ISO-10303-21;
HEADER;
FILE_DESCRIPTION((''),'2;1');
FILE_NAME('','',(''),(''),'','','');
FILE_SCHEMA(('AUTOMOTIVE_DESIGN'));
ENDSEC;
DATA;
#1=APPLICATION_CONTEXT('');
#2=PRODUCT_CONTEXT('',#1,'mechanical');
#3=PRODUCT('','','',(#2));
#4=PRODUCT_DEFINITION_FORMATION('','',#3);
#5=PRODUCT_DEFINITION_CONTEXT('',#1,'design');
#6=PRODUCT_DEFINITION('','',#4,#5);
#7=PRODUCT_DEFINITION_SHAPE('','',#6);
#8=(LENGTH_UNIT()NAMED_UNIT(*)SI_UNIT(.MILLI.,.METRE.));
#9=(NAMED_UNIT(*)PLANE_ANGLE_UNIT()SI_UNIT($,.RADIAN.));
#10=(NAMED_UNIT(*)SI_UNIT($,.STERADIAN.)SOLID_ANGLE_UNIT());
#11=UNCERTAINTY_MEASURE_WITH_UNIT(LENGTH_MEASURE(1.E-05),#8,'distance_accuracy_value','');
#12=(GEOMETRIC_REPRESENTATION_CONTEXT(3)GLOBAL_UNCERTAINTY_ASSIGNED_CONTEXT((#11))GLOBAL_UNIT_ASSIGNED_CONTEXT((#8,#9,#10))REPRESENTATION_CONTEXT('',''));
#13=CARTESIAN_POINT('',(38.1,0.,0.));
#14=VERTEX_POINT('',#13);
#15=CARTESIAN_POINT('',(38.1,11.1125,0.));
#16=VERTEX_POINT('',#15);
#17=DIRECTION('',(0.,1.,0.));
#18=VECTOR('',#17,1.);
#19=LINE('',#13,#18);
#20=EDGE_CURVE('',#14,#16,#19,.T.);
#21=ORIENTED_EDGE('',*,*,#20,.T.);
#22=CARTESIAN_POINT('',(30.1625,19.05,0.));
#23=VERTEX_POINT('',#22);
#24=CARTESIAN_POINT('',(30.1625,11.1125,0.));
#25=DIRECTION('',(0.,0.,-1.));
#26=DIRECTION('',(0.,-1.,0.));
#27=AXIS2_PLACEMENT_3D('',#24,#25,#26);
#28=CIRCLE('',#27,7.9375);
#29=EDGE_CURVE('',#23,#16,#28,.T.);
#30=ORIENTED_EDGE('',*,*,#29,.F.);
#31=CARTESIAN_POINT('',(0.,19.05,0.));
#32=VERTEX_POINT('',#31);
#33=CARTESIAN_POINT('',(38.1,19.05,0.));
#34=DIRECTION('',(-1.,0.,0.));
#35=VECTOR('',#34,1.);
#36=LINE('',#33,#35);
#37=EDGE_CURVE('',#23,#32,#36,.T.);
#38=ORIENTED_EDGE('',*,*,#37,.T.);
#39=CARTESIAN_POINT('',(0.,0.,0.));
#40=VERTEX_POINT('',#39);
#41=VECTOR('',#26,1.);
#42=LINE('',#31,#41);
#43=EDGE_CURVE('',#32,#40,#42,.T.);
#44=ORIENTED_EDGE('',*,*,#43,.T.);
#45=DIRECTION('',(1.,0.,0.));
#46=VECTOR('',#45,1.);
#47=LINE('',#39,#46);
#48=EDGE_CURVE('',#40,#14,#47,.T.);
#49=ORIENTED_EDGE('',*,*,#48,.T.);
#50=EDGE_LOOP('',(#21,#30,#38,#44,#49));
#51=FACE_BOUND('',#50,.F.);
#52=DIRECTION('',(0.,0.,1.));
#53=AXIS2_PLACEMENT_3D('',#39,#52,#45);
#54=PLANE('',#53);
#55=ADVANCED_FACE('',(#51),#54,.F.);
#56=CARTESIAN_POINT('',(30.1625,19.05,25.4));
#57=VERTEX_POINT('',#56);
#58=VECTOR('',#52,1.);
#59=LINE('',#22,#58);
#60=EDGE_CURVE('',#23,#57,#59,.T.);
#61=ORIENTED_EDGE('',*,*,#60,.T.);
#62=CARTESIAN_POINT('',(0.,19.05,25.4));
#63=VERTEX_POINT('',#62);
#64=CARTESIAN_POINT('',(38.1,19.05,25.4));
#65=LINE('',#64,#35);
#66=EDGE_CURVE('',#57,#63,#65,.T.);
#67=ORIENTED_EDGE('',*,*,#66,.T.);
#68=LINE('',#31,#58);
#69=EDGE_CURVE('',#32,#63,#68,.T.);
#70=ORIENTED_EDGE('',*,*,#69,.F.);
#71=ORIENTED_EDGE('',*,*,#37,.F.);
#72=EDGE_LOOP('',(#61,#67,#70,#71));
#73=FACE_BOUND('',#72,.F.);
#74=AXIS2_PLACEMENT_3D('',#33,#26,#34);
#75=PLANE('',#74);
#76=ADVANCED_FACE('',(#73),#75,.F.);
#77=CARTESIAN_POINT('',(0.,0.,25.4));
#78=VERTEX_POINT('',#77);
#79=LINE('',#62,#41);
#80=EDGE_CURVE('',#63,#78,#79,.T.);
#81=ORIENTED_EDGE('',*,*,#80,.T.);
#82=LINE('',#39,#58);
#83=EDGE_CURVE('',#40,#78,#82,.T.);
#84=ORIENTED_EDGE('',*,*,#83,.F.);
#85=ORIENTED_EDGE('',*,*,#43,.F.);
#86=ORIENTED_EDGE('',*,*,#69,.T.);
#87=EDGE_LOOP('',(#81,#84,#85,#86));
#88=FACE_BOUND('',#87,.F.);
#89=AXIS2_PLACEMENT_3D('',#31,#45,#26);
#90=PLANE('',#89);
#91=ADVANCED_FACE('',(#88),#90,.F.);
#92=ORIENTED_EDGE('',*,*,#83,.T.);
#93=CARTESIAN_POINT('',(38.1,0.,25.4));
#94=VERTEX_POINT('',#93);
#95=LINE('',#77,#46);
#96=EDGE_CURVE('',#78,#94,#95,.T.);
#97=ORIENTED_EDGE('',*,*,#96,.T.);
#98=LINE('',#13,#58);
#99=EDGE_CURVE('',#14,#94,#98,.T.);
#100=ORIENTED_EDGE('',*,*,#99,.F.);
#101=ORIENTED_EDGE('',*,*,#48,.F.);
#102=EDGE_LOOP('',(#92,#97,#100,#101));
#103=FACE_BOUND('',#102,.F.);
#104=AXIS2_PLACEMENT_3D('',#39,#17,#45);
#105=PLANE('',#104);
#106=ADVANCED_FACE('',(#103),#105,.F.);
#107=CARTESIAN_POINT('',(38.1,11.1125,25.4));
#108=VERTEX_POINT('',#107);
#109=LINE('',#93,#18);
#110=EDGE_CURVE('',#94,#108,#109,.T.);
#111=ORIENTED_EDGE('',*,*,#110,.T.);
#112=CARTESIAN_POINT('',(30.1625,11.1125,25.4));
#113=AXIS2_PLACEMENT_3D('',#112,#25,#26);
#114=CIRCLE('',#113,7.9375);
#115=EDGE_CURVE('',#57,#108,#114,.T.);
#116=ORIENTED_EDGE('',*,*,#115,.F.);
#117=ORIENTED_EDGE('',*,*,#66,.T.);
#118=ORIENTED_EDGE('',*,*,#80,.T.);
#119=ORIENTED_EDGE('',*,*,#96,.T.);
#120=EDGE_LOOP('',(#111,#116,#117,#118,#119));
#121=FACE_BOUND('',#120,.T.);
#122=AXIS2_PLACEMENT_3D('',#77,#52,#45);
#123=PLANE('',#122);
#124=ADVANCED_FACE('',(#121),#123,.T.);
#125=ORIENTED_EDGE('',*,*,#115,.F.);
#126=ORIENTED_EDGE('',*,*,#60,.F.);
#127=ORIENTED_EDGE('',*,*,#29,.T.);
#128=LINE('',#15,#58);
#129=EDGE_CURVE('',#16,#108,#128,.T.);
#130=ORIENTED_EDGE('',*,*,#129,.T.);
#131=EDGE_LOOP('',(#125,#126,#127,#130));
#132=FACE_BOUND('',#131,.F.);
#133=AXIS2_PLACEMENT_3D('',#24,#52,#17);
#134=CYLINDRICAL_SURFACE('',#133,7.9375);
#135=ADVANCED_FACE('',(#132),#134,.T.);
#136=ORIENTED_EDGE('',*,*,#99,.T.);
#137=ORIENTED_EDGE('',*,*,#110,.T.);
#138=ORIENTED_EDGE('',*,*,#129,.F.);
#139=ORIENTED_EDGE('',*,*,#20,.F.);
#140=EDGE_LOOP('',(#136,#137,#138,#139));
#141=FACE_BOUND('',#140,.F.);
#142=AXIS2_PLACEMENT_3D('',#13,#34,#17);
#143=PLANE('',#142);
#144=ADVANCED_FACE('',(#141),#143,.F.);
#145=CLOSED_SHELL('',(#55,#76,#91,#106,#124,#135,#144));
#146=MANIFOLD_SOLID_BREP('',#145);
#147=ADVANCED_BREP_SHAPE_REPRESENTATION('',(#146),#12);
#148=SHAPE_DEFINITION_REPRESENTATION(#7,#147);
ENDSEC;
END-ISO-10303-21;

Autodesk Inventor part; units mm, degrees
ref_plane "YZ Plane" through (0, 0, 0) normal (1, 0, 0) x (0, 1, 0)
ref_plane "XZ Plane" through (0, 0, 0) normal (0, 1, 0) x (-1, 0, 0)
ref_plane "XY Plane" through (0, 0, 0) normal (0, 0, 1) x (1, 0, 0)
sketch "Sketch1" plane through (0, 0, 0) normal (0, 0, 1) x (1, 0, 0)
  line L0 (0, 0) -> (38.1, 0)
  line L1 (38.1, 0) -> (38.1, 19.05)
  line L2 (38.1, 19.05) -> (0, 19.05)
  line L3 (0, 19.05) -> (0, 0)
  dimension "d0" = 38.1
  dimension "d1" = 19.05
extrude "Extrusion1" add sketch "Sketch1" along normal blind 25.4
fillet "Fillet1" radius 7.9375 1 edges at (38.1, 19.05, 12.7)
properties part number "Shell Start"
